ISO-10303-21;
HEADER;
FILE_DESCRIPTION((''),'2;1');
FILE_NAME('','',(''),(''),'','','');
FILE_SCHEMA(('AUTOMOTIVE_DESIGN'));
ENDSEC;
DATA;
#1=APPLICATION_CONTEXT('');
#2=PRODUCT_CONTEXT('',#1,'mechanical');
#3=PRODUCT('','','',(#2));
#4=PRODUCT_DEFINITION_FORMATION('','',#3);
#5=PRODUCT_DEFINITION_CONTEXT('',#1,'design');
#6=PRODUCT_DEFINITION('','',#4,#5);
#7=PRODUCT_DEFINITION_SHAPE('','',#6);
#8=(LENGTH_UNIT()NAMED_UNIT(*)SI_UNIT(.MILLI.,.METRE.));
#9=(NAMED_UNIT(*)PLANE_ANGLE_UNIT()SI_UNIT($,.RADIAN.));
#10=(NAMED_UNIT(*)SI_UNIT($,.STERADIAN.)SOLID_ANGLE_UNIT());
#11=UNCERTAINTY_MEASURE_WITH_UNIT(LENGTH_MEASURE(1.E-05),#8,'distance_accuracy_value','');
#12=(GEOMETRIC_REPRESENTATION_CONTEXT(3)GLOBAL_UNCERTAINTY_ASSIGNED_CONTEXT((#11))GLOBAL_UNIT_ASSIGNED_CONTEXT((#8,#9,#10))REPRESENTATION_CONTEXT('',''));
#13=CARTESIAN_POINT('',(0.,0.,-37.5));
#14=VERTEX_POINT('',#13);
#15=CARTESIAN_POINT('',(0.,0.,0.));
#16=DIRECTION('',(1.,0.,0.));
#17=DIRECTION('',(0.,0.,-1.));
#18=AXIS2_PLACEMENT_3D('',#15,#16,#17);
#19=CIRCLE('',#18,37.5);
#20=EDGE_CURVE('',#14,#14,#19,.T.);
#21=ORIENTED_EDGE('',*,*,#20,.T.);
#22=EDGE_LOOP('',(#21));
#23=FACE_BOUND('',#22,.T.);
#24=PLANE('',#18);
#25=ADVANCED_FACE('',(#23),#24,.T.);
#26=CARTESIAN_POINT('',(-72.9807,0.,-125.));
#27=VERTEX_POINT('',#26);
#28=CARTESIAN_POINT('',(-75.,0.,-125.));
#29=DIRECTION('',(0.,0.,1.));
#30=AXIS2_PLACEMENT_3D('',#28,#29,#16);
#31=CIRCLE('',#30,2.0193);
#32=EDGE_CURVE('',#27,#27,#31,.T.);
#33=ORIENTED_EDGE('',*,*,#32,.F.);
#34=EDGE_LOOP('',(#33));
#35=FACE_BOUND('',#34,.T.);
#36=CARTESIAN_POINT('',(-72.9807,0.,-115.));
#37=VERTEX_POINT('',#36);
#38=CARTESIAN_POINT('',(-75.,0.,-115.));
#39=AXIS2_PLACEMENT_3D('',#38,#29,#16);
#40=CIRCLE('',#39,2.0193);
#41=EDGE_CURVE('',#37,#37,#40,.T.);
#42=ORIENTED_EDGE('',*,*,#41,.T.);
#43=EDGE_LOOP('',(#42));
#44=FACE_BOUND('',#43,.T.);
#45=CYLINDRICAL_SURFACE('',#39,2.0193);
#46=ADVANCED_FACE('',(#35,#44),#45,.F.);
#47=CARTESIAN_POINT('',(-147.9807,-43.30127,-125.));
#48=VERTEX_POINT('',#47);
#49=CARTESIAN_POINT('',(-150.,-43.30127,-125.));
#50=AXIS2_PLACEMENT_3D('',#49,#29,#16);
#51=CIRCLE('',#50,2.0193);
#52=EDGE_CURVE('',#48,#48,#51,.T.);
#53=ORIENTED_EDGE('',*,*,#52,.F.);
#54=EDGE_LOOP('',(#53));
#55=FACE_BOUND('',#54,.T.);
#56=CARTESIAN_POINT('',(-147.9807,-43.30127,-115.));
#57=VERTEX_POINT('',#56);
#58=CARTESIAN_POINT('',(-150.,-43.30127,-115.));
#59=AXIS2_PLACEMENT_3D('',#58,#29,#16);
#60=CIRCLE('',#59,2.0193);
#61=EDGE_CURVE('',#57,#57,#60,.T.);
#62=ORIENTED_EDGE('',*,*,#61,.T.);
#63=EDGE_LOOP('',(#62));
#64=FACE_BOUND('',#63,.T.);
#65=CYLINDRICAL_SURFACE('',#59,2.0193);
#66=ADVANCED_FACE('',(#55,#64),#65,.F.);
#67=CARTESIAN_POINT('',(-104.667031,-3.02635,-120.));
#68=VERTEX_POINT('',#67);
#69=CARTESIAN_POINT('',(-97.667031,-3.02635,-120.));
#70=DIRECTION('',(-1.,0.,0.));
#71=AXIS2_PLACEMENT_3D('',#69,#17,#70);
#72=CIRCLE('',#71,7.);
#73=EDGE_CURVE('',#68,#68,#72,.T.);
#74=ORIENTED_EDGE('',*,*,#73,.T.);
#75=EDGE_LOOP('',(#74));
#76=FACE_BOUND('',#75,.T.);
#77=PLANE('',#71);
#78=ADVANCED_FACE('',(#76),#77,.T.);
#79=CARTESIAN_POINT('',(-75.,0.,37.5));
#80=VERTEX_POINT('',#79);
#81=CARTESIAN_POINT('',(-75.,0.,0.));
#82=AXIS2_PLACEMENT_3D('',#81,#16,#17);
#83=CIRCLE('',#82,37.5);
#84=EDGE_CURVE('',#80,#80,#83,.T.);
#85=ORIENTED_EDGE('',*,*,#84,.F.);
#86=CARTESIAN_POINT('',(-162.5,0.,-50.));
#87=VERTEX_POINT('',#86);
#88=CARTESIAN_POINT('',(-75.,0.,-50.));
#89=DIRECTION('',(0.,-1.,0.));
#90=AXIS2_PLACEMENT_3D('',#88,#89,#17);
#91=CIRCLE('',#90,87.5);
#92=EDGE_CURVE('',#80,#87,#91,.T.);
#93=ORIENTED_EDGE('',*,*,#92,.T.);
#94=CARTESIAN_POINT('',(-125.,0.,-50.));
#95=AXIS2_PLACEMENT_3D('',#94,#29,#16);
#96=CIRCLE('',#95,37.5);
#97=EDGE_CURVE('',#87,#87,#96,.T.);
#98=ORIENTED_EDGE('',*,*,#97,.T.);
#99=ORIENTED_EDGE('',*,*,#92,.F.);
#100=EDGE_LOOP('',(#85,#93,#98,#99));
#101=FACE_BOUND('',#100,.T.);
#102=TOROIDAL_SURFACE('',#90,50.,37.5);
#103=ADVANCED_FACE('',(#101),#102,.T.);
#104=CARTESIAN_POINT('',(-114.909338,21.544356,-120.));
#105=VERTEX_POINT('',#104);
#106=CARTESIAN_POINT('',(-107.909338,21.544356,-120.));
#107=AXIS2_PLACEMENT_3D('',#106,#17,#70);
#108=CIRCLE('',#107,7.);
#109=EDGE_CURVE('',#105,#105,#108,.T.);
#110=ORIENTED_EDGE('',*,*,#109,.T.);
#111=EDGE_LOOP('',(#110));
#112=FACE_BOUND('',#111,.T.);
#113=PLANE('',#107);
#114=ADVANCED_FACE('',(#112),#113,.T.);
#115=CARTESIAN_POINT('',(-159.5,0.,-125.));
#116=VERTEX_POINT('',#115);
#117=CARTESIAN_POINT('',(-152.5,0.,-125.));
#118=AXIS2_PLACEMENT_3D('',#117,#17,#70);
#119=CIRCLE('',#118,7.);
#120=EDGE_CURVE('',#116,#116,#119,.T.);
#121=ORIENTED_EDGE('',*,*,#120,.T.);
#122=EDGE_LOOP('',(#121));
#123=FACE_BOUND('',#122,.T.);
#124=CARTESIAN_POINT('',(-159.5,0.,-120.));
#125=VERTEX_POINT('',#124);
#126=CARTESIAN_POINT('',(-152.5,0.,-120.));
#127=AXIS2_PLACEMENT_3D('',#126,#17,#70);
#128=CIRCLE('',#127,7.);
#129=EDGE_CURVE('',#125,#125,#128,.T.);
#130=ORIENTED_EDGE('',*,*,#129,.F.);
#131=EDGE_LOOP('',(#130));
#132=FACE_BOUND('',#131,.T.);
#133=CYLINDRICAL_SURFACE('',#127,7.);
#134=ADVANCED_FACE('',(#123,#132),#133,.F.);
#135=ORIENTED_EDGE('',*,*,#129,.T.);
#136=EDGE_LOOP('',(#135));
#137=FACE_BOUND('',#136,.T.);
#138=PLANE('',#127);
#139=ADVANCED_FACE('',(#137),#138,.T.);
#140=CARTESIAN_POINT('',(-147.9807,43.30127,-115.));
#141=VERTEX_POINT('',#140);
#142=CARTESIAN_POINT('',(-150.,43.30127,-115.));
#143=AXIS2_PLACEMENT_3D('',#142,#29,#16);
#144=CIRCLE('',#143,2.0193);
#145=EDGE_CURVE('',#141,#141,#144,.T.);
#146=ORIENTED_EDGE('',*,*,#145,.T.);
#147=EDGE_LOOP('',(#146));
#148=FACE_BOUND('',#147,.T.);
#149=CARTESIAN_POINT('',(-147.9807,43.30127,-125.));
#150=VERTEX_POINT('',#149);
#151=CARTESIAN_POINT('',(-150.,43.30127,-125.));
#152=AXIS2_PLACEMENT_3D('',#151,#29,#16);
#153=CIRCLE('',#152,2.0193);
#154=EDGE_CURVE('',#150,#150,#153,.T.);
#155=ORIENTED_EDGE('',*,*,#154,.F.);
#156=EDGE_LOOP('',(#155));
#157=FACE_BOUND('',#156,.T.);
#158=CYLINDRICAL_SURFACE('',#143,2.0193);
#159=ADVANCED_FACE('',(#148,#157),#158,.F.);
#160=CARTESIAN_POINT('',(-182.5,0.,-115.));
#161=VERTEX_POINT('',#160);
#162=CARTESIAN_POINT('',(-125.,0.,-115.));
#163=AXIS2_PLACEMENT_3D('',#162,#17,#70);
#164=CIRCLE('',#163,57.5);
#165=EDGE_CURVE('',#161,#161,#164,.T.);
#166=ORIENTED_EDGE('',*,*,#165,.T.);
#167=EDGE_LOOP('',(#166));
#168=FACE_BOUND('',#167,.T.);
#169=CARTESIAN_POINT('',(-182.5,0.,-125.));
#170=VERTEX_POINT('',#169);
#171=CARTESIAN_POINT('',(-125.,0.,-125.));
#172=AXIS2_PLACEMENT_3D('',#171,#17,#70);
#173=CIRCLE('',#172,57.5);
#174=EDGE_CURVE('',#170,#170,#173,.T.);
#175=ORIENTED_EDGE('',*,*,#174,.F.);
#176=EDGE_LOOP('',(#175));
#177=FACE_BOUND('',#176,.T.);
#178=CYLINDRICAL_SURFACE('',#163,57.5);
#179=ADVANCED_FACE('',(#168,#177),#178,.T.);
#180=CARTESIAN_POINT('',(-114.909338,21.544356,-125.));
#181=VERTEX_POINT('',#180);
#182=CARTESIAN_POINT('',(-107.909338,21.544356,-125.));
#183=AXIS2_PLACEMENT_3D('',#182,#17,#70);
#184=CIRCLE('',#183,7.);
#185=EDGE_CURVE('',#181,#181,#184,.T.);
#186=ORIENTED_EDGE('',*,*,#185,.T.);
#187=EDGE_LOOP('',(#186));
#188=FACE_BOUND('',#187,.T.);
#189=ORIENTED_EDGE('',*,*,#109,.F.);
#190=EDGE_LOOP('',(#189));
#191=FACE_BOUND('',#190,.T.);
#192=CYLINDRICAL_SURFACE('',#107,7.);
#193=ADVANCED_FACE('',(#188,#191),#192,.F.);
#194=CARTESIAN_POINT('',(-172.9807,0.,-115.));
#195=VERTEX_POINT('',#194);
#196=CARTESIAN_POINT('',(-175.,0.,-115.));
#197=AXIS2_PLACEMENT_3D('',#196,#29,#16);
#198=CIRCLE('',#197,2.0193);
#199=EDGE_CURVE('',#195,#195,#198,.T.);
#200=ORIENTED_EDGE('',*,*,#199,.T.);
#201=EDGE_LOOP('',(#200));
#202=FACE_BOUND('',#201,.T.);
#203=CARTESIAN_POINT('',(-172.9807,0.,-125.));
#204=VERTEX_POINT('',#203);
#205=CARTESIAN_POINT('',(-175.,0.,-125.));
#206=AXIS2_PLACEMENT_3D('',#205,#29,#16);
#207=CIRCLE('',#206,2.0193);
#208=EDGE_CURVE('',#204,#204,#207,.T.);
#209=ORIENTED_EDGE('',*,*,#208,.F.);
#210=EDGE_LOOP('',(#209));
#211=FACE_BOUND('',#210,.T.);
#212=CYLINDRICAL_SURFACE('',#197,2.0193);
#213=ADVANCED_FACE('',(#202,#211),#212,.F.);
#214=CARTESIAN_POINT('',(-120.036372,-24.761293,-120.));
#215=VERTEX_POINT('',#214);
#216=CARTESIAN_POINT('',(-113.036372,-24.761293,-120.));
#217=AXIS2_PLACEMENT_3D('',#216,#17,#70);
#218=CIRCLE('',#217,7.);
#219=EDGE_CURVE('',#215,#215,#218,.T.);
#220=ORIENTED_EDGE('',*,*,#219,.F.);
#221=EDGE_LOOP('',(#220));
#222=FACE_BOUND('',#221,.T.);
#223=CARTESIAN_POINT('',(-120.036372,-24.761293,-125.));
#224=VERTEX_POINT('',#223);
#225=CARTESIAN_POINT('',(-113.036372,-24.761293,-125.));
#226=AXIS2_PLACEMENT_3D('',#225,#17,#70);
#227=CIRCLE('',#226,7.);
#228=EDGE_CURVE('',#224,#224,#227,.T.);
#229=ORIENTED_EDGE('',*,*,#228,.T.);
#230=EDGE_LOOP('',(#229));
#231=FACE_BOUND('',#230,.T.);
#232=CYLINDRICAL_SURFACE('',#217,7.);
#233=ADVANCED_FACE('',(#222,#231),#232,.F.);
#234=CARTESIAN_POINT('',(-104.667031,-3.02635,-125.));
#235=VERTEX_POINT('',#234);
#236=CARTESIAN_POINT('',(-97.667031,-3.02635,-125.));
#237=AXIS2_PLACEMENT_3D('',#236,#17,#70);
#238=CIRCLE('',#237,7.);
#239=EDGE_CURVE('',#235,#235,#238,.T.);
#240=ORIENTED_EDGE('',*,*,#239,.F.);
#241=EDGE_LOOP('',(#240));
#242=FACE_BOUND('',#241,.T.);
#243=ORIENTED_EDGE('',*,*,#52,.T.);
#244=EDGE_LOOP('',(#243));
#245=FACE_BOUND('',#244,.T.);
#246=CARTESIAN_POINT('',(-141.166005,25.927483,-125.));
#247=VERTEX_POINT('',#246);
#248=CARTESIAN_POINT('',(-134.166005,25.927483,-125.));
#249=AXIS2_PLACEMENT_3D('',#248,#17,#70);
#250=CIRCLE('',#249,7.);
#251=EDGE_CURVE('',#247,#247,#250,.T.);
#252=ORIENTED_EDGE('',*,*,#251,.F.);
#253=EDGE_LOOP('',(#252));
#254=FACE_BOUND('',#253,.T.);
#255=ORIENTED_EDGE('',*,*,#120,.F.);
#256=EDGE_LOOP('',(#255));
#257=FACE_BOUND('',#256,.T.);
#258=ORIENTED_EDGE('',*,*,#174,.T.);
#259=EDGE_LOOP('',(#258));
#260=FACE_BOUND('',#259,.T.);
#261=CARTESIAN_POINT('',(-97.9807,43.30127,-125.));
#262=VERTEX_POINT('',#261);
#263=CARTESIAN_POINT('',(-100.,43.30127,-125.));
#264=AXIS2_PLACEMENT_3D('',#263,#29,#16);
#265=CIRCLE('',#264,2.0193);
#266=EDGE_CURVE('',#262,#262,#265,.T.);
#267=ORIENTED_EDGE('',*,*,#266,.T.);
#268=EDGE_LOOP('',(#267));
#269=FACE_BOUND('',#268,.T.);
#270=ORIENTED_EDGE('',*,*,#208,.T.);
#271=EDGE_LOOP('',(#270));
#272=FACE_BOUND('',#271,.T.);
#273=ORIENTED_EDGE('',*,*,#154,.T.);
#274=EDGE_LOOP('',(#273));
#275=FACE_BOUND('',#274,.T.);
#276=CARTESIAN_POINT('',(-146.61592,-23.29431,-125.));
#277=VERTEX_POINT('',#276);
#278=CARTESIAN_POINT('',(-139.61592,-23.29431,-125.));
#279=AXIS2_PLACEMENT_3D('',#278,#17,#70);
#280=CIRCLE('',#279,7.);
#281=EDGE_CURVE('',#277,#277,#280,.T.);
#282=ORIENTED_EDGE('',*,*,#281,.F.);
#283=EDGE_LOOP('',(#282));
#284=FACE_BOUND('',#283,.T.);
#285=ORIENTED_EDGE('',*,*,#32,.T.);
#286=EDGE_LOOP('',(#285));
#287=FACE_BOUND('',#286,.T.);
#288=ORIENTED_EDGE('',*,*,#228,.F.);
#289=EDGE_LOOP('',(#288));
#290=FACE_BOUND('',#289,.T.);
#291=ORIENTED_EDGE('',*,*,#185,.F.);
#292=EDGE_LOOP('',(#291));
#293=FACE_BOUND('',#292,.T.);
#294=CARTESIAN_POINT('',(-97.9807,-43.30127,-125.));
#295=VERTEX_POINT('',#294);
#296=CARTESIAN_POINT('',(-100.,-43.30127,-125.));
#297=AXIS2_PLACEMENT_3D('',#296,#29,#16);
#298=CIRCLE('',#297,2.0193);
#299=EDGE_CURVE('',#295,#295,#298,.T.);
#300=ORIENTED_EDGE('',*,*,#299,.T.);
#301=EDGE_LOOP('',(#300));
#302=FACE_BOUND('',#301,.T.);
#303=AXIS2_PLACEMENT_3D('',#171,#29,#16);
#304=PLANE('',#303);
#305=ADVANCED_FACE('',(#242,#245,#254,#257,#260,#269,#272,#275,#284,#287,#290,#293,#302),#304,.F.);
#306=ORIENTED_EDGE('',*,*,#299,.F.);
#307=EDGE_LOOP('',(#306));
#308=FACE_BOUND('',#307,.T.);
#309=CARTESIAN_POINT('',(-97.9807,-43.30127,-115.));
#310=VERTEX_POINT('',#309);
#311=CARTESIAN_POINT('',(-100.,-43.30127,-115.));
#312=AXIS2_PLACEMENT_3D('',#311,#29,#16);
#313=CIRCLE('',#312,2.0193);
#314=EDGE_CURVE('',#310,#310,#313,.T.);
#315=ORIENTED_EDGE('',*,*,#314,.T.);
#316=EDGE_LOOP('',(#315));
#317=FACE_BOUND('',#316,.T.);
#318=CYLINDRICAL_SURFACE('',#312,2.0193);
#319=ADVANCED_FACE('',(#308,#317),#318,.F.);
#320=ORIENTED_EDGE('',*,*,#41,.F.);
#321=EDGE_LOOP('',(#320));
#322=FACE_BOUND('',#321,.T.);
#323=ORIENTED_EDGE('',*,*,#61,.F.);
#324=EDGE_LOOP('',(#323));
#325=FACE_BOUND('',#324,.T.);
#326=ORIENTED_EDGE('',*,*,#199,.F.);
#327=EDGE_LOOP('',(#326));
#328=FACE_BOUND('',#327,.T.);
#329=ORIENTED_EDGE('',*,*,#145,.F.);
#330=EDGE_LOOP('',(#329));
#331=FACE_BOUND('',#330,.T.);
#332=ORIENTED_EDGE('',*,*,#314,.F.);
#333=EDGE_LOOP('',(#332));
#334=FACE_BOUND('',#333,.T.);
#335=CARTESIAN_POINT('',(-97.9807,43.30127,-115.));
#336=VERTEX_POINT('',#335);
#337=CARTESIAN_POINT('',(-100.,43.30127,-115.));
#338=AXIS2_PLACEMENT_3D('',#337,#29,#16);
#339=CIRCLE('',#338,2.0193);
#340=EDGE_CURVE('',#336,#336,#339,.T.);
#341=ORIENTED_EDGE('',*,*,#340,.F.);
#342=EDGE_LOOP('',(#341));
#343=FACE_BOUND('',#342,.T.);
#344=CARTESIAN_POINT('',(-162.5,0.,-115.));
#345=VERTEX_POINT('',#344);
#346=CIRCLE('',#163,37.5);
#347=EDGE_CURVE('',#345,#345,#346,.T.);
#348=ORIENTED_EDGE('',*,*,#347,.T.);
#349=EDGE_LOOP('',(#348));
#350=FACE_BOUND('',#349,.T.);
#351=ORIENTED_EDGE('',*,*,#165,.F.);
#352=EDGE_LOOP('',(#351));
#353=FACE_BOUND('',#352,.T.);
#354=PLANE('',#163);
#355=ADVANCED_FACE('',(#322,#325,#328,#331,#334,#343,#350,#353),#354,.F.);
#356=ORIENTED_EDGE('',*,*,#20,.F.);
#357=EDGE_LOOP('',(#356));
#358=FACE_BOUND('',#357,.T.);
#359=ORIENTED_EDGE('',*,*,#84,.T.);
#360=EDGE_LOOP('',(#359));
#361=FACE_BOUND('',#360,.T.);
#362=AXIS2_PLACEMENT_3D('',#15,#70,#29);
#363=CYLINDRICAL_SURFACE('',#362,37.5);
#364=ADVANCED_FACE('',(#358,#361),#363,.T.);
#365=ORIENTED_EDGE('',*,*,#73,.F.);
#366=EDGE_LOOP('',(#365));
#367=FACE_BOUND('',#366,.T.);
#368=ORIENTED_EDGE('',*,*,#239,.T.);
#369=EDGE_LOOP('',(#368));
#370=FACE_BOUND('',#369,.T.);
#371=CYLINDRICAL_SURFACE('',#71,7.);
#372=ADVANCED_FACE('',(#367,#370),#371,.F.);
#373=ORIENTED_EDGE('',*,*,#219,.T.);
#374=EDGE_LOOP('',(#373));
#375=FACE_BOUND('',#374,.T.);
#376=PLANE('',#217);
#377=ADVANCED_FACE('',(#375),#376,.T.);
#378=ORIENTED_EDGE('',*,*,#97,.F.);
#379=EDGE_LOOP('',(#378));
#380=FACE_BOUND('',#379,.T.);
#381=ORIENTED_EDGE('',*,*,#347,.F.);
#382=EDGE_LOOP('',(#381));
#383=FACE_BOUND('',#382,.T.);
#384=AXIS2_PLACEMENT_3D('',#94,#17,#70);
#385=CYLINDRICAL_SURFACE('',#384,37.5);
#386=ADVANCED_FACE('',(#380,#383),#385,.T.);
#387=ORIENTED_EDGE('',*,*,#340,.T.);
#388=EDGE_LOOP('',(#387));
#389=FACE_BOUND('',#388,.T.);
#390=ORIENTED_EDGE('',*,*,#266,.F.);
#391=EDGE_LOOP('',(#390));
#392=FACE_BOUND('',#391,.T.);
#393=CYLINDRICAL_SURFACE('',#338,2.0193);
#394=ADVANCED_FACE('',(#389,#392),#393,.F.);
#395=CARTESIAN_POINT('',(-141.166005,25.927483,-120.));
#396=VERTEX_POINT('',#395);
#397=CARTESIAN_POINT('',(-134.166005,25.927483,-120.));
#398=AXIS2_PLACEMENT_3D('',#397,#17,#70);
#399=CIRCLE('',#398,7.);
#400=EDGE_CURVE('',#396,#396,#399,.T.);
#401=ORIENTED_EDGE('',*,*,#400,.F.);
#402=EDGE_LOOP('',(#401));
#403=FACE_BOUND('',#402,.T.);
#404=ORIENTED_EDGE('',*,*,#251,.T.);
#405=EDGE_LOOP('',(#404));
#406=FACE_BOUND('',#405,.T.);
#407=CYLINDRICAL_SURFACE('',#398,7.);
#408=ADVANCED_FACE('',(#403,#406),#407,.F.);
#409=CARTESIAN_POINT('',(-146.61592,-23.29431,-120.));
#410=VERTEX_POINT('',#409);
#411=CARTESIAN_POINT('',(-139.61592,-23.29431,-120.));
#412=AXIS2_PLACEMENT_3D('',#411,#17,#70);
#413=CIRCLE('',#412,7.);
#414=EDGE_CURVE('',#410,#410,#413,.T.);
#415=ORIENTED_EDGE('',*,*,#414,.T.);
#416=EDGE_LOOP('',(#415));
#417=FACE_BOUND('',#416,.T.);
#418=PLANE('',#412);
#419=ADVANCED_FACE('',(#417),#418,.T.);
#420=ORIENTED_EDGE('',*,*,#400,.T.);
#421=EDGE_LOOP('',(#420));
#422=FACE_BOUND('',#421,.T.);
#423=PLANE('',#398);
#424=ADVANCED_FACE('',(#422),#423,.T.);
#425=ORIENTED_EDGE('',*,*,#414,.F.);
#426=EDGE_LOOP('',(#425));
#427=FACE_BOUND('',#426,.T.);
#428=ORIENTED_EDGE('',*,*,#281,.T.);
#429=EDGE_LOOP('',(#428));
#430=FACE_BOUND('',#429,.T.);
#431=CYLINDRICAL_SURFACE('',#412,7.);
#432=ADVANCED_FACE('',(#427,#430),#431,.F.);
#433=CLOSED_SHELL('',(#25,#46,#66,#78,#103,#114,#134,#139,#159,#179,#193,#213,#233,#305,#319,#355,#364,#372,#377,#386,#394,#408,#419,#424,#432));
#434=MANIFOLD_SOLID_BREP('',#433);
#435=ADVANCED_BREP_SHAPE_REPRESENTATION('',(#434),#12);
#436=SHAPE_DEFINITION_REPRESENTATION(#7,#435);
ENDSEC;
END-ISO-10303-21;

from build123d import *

# Parameters (mm, degrees)
SWEEP1_PROFILE_R               = 37.5
SKETCH3_R                      = 57.5
BOSS_EXTRUDE1_DEPTH            = 10
TAP_DRILL_FOR_10_32_TAP1_D     = 4.0386
TAP_DRILL_FOR_10_32_TAP1_DEPTH = 10
SKETCH11_R                     = 7
CUT_EXTRUDE1_DEPTH             = 5


with BuildPart() as part:
    # Sweep1: sweep along a path in Sketch1
    with BuildLine(Plane(origin=(0, 0, 0), x_dir=(1, 0, 0), z_dir=(0, 1, 0))) as sweep1_path:
        Line((0, 0), (-75, 0))
        ThreePointArc((-75, 0), (-110.355339059, 14.644660941), (-125, 50))
        Line((-125, 50), (-125, 125))
    # Sweep1 profile (on start of the path) → Sweep1 (sweep)
    with BuildSketch(Plane(origin=(0, 0, 0), x_dir=(0, 0, -1), z_dir=(-1, 0, 0))):
        Circle(SWEEP1_PROFILE_R)
    sweep(path=sweep1_path.line)

    # Sketch3 → Boss-Extrude1 (add)
    with BuildSketch(Plane(origin=(0, 0, -125), x_dir=(-1, 0, 0), z_dir=(0, 0, -1))):
        with Locations((125, 0)):
            Circle(SKETCH3_R)
    extrude(amount=-BOSS_EXTRUDE1_DEPTH)

    # Tap Drill for #10-32 Tap1
    with Locations(Plane.XY.offset(-115)):
        with Locations((-150, 43.301270189), (-175, 0), (-150, -43.301270189), (-100, -43.301270189), (-75, 0), (-100, 43.301270189)):
            Hole(TAP_DRILL_FOR_10_32_TAP1_D / 2, depth=TAP_DRILL_FOR_10_32_TAP1_DEPTH)

    # Sketch11 → Cut-Extrude1 (cut)
    with BuildSketch(Plane(origin=(0, 0, -125), x_dir=(-1, 0, 0), z_dir=(0, 0, -1))):
        with Locations((152.5, 0)):
            Circle(SKETCH11_R)
        with Locations((134.166005189, 25.927482502)):
            Circle(SKETCH11_R)
        with Locations((107.909337503, 21.544355535)):
            Circle(SKETCH11_R)
        with Locations((97.667030752, -3.026349633)):
            Circle(SKETCH11_R)
        with Locations((113.036372178, -24.761292562)):
            Circle(SKETCH11_R)
        with Locations((139.61592, -23.29431009)):
            Circle(SKETCH11_R)
    extrude(amount=-CUT_EXTRUDE1_DEPTH, mode=Mode.SUBTRACT)


solid = part.part
